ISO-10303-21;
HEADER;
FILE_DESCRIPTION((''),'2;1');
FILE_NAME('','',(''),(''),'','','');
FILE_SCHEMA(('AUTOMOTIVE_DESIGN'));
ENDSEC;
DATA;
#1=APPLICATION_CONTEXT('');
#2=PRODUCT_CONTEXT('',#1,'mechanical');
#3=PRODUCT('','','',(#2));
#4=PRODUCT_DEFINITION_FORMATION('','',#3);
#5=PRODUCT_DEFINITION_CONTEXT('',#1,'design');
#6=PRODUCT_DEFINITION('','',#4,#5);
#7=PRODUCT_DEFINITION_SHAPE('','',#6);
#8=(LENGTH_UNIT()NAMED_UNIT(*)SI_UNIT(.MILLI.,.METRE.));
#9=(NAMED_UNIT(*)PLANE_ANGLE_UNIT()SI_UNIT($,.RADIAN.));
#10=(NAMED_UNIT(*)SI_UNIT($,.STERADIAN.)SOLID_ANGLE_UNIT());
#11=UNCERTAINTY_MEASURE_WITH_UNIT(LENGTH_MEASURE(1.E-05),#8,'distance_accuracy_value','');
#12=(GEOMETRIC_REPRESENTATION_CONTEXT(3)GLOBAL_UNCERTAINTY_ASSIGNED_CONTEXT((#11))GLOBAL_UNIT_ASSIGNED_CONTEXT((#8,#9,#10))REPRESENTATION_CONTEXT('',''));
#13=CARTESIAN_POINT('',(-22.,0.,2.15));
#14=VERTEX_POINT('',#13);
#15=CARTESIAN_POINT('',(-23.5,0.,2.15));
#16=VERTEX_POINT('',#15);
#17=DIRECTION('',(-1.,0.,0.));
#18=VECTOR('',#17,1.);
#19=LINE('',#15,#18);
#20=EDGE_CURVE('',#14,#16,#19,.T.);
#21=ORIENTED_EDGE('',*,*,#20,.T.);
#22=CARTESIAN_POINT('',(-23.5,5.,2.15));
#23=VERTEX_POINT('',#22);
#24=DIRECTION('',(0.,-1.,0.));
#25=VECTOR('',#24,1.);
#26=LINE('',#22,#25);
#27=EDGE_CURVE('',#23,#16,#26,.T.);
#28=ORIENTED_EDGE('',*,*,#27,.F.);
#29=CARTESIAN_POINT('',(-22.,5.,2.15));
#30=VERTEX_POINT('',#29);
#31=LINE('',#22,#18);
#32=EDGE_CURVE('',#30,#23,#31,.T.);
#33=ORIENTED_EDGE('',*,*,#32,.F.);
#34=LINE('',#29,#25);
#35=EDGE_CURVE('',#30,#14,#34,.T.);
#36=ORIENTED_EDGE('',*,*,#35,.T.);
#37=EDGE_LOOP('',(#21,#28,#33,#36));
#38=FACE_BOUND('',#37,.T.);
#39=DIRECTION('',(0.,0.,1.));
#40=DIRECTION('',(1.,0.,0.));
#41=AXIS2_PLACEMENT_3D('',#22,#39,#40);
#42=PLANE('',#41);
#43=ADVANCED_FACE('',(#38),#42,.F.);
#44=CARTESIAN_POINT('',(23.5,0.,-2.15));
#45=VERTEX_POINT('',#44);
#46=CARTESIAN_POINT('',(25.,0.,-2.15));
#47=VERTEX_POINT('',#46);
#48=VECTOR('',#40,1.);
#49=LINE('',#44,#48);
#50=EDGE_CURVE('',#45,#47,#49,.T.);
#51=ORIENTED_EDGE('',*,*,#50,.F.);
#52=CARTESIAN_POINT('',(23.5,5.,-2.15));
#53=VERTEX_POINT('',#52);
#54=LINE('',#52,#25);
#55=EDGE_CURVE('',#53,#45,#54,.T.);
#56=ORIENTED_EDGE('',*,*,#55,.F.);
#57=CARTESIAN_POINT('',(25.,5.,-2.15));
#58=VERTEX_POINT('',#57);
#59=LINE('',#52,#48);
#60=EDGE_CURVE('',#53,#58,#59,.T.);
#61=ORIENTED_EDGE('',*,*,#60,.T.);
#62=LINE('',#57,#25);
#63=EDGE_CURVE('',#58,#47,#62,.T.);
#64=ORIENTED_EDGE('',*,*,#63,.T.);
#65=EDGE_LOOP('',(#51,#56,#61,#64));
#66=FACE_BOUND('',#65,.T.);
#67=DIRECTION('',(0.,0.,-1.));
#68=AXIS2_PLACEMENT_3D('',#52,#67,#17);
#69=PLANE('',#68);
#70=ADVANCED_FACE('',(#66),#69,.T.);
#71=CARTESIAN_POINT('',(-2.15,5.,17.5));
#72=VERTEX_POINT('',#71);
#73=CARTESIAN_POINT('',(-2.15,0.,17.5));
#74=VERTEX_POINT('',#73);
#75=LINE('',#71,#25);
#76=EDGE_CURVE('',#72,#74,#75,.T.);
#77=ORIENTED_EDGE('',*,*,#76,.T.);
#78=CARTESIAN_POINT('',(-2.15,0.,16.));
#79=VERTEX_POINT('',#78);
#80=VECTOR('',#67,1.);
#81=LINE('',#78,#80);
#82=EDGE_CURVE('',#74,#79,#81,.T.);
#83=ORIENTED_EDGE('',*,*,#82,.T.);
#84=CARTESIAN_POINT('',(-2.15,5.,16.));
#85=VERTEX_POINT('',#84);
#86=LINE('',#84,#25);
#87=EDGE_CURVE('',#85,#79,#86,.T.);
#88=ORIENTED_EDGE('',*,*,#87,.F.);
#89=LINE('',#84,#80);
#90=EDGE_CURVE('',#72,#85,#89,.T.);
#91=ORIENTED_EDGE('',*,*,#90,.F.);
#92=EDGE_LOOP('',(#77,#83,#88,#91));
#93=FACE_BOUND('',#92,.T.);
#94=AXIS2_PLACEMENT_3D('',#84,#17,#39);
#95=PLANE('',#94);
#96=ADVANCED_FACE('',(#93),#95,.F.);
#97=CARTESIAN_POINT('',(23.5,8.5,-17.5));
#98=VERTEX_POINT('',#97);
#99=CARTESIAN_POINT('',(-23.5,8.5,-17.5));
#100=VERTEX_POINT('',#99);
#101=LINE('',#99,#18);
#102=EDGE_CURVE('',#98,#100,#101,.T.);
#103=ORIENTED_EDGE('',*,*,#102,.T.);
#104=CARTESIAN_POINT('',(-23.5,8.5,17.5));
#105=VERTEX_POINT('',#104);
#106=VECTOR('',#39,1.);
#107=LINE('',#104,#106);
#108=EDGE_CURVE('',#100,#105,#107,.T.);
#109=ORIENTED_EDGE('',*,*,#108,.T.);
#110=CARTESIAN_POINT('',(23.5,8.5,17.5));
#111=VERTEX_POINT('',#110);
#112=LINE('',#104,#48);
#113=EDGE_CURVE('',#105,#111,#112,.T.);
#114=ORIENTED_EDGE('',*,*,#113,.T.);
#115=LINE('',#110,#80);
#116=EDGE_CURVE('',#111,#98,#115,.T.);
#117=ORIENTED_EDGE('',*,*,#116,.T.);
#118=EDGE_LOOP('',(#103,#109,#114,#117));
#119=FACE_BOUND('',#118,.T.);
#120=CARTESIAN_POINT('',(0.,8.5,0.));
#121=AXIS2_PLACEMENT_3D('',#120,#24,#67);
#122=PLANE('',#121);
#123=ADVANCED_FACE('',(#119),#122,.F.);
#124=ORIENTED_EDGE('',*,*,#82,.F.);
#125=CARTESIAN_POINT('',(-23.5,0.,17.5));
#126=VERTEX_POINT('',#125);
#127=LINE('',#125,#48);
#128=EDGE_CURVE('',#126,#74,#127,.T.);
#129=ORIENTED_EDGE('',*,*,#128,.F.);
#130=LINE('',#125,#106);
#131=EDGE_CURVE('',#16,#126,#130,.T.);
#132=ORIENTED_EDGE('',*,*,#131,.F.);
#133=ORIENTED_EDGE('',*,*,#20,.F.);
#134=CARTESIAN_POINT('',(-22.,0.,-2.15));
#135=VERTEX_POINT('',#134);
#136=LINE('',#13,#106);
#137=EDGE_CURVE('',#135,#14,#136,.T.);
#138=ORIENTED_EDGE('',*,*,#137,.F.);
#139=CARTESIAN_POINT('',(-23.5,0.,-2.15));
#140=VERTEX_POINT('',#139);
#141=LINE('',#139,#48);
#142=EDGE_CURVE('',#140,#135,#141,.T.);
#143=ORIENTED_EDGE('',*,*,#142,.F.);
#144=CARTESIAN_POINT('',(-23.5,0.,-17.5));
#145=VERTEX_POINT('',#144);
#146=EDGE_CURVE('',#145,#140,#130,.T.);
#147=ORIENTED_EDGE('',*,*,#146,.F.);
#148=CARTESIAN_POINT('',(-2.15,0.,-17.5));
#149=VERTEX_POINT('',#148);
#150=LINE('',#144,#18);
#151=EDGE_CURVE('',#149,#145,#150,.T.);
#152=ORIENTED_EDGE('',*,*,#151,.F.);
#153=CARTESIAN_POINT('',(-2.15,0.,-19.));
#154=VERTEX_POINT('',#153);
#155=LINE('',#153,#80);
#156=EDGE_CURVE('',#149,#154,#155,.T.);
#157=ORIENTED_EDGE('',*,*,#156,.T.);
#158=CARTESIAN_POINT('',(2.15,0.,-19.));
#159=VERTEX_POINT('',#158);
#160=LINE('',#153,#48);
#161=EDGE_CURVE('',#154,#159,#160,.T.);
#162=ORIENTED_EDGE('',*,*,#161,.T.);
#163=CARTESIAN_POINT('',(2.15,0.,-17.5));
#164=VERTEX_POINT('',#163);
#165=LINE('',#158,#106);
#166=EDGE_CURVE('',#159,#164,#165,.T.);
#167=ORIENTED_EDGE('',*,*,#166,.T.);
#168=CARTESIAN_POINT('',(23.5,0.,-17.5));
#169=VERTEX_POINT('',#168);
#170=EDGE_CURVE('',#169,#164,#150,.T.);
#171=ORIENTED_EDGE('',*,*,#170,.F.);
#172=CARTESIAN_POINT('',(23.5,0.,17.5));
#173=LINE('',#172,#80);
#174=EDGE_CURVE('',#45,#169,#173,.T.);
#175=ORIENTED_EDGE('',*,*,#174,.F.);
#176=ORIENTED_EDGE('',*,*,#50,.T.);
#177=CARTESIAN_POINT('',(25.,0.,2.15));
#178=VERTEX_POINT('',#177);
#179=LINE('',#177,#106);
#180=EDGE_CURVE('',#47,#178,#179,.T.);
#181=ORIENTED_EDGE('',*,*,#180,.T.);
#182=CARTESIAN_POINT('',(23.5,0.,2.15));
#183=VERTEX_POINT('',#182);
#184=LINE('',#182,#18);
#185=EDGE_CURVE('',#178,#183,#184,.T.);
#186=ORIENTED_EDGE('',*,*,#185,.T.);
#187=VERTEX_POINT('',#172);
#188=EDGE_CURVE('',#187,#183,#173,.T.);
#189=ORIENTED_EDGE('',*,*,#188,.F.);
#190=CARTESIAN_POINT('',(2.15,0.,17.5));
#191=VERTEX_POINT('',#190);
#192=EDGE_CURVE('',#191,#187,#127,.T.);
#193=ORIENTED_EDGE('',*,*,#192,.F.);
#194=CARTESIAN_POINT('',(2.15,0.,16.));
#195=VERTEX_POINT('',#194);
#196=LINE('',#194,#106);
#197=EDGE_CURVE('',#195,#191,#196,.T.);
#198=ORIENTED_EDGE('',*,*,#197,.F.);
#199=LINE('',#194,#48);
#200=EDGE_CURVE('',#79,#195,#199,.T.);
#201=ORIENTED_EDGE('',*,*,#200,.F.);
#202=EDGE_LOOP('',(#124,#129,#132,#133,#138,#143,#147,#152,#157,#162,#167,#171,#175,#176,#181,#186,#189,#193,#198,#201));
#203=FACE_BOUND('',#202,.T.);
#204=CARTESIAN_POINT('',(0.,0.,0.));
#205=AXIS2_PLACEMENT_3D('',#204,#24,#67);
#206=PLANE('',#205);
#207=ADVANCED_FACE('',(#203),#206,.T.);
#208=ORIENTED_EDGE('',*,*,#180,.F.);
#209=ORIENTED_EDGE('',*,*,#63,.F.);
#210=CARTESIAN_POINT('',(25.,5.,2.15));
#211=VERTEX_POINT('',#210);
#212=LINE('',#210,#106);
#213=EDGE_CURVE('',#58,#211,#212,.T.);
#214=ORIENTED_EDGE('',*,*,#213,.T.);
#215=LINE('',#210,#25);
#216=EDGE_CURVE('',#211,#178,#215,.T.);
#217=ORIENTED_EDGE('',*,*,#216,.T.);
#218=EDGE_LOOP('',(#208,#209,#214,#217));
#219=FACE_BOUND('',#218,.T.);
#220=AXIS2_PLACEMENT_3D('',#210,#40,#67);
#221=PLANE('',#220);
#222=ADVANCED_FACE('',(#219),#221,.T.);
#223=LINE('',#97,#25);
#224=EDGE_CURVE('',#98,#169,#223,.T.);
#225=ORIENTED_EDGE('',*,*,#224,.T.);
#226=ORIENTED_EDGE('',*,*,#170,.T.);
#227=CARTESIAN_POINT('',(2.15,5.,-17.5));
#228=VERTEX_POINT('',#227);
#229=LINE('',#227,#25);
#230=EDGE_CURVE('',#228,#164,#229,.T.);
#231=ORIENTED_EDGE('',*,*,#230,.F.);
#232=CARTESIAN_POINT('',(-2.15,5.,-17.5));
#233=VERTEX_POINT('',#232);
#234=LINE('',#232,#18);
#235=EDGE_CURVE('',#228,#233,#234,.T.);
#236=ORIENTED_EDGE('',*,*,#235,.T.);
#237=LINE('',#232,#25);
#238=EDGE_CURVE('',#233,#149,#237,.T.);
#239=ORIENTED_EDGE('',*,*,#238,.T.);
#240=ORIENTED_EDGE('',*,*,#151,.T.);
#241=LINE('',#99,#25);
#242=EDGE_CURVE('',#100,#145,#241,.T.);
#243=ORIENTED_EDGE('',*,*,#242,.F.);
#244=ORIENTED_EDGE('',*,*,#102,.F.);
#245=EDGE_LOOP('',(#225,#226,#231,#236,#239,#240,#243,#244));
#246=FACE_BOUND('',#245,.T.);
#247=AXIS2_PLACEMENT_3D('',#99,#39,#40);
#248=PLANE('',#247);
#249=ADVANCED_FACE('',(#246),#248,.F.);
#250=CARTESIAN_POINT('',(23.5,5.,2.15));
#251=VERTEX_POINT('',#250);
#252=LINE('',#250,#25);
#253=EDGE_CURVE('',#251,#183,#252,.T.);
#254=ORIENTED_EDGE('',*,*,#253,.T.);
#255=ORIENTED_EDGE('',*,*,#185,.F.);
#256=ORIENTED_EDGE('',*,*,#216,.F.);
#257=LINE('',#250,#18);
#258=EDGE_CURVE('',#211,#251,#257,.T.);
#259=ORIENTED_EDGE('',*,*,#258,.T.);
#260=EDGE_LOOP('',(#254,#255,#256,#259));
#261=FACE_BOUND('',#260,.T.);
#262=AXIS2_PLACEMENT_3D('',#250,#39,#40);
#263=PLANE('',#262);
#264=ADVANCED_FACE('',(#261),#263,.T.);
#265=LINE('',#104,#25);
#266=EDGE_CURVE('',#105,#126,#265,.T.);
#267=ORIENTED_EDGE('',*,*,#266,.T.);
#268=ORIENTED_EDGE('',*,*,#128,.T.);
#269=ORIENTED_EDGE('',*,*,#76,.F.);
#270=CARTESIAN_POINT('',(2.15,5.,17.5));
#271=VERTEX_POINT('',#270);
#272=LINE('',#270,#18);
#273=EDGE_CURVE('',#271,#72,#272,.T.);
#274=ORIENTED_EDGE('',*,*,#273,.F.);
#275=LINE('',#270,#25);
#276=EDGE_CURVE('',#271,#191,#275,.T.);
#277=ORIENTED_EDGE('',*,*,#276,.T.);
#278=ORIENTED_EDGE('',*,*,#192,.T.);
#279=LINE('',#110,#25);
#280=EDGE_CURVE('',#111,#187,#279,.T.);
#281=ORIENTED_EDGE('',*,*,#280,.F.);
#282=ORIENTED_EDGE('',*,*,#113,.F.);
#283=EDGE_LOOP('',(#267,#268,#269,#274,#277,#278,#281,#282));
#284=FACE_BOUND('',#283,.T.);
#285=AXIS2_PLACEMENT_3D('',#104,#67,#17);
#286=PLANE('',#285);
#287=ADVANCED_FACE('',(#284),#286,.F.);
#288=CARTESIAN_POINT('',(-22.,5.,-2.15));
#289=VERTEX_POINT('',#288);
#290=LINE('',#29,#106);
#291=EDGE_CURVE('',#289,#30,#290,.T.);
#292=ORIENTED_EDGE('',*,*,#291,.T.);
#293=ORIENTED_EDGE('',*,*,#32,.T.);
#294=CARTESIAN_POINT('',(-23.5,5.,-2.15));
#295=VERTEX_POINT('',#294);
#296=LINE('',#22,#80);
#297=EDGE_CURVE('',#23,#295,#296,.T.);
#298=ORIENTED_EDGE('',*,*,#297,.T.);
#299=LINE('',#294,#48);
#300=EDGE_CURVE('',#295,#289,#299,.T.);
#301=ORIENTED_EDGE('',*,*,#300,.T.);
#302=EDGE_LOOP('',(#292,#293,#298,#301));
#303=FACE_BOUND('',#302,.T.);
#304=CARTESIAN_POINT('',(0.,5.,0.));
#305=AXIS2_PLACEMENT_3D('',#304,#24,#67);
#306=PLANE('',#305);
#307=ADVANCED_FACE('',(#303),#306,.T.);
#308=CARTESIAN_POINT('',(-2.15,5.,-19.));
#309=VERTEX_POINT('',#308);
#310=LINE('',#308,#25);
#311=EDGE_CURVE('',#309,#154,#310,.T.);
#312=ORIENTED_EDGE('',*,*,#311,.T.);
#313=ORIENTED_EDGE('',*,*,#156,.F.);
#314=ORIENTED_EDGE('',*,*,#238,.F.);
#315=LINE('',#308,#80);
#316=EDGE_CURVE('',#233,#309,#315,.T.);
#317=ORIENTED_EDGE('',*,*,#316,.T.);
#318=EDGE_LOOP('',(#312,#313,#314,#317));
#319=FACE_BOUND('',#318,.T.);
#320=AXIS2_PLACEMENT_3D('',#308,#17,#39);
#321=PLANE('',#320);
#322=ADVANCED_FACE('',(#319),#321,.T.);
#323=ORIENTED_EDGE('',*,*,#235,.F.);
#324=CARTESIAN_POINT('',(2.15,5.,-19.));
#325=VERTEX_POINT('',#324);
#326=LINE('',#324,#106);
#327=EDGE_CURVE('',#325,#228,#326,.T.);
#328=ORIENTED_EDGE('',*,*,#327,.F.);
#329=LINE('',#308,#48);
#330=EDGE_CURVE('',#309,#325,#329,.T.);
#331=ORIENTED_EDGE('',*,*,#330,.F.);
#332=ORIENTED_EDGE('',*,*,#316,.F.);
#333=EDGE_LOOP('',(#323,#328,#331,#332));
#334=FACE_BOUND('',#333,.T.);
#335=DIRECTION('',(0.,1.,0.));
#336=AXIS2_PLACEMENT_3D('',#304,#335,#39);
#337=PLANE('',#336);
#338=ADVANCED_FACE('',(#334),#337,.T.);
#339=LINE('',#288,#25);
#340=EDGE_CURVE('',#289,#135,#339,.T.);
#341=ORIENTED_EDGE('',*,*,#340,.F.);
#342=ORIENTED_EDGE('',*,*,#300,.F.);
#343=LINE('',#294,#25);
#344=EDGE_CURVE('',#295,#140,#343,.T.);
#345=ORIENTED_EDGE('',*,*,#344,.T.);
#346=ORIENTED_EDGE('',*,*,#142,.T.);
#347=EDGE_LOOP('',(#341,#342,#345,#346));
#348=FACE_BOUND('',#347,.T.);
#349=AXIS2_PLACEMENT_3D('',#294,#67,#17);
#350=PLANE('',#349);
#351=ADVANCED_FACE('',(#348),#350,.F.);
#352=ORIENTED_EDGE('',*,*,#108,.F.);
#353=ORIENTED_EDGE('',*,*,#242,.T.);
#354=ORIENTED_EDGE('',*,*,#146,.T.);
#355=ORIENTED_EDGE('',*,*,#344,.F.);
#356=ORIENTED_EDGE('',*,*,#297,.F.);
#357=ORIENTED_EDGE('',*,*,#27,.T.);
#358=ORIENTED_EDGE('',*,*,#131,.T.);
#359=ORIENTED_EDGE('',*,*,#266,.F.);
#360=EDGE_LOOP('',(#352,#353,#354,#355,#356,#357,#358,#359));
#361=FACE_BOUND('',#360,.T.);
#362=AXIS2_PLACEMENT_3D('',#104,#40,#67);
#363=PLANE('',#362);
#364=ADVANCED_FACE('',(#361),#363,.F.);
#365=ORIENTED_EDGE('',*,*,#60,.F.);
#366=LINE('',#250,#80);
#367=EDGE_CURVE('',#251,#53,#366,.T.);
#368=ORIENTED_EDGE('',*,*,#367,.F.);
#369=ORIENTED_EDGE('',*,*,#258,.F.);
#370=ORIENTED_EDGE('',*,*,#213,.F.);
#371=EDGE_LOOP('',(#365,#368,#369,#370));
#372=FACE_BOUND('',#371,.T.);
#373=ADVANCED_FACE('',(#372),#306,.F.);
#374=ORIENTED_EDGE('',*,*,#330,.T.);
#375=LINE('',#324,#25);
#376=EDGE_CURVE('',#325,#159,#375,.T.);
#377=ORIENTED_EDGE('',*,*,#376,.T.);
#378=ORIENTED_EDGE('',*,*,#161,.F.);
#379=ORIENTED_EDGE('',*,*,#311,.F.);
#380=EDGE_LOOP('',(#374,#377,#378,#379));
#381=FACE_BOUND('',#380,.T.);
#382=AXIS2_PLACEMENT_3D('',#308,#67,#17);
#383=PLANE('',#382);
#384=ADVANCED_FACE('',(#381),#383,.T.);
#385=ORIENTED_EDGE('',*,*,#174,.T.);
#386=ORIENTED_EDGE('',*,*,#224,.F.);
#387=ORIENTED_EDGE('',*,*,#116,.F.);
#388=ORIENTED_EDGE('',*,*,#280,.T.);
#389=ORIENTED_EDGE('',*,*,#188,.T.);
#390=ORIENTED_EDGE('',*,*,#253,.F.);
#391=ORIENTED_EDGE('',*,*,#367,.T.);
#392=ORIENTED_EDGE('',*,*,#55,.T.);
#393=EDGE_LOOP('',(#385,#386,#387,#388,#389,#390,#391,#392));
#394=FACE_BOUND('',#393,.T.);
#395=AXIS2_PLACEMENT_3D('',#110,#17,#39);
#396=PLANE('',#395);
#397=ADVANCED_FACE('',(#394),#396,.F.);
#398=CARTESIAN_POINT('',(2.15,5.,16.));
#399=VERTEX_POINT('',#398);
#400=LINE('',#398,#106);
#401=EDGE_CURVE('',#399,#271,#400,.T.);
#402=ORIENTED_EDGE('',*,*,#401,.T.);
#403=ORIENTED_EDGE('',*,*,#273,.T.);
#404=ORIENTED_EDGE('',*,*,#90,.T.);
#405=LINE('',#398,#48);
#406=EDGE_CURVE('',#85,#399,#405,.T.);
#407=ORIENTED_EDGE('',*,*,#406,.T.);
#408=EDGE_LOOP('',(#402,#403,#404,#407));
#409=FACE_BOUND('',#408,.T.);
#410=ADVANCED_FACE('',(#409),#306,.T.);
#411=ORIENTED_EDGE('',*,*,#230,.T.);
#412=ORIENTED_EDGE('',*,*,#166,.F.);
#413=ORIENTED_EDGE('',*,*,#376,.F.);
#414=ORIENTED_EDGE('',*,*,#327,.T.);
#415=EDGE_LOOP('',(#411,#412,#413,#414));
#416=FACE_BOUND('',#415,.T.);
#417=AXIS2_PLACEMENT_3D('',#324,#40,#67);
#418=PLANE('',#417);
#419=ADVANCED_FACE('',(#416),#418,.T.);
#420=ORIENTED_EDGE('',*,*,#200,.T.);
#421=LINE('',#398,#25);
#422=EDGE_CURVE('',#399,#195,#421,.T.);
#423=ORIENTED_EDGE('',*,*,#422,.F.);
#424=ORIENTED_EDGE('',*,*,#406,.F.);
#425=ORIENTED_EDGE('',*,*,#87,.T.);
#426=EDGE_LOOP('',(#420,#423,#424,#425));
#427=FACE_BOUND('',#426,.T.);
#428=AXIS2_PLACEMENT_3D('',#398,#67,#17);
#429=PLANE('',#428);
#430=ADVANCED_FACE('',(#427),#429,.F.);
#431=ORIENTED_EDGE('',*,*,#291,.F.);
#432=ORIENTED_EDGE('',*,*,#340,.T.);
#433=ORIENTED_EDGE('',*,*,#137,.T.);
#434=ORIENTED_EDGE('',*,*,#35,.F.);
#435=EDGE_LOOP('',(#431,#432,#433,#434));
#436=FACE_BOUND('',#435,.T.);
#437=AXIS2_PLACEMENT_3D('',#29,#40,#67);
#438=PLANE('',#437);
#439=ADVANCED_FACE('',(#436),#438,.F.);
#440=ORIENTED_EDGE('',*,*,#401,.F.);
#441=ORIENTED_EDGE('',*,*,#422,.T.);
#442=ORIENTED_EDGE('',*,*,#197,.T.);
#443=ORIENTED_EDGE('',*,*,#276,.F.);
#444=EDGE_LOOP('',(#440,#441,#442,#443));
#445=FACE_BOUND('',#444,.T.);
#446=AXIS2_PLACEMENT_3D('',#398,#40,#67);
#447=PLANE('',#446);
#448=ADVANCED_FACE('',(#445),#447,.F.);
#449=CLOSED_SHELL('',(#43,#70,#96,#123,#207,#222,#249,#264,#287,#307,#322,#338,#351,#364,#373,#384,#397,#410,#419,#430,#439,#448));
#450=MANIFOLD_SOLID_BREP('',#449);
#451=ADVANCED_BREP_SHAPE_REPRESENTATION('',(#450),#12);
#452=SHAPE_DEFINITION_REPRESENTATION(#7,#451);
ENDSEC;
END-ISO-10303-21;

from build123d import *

# Parameters (mm, degrees)
SKETCH1_W           = 47
SKETCH1_H           = 35
BOSS_EXTRUDE1_DEPTH = 8.5
SKETCH2_W           = 4.3
SKETCH2_H           = 1.5
SKETCH2_W_2         = 1.5
SKETCH2_H_2         = 4.3
BOSS_EXTRUDE2_DEPTH = 5
SKETCH3_W           = 4.3
SKETCH3_H           = 1.5
SKETCH3_W_2         = 1.5
SKETCH3_H_2         = 4.3
CUT_EXTRUDE1_DEPTH  = 5


with BuildPart() as part:
    # Sketch1 → Boss-Extrude1 (new body)
    with BuildSketch(Plane(origin=(0, 0, 0), x_dir=(1, 0, 0), z_dir=(0, 1, 0))):
        Rectangle(SKETCH1_W, SKETCH1_H)
    extrude(amount=BOSS_EXTRUDE1_DEPTH)

    # Sketch2 → Boss-Extrude2 (add)
    with BuildSketch(Plane(origin=(0, 0, 0), x_dir=(-1, 0, 0), z_dir=(0, -1, 0))):
        with Locations((0, 18.25)):
            Rectangle(SKETCH2_W, SKETCH2_H)
        with Locations((-24.25, 0)):
            Rectangle(SKETCH2_W_2, SKETCH2_H_2)
    extrude(amount=-BOSS_EXTRUDE2_DEPTH)

    # Sketch3 → Cut-Extrude1 (cut)
    with BuildSketch(Plane(origin=(0, 0, 0), x_dir=(-1, 0, 0), z_dir=(0, -1, 0))):
        with Locations((0, -16.75)):
            Rectangle(SKETCH3_W, SKETCH3_H)
        with Locations((22.75, 0)):
            Rectangle(SKETCH3_W_2, SKETCH3_H_2)
    extrude(amount=-CUT_EXTRUDE1_DEPTH, mode=Mode.SUBTRACT)


solid = part.part
